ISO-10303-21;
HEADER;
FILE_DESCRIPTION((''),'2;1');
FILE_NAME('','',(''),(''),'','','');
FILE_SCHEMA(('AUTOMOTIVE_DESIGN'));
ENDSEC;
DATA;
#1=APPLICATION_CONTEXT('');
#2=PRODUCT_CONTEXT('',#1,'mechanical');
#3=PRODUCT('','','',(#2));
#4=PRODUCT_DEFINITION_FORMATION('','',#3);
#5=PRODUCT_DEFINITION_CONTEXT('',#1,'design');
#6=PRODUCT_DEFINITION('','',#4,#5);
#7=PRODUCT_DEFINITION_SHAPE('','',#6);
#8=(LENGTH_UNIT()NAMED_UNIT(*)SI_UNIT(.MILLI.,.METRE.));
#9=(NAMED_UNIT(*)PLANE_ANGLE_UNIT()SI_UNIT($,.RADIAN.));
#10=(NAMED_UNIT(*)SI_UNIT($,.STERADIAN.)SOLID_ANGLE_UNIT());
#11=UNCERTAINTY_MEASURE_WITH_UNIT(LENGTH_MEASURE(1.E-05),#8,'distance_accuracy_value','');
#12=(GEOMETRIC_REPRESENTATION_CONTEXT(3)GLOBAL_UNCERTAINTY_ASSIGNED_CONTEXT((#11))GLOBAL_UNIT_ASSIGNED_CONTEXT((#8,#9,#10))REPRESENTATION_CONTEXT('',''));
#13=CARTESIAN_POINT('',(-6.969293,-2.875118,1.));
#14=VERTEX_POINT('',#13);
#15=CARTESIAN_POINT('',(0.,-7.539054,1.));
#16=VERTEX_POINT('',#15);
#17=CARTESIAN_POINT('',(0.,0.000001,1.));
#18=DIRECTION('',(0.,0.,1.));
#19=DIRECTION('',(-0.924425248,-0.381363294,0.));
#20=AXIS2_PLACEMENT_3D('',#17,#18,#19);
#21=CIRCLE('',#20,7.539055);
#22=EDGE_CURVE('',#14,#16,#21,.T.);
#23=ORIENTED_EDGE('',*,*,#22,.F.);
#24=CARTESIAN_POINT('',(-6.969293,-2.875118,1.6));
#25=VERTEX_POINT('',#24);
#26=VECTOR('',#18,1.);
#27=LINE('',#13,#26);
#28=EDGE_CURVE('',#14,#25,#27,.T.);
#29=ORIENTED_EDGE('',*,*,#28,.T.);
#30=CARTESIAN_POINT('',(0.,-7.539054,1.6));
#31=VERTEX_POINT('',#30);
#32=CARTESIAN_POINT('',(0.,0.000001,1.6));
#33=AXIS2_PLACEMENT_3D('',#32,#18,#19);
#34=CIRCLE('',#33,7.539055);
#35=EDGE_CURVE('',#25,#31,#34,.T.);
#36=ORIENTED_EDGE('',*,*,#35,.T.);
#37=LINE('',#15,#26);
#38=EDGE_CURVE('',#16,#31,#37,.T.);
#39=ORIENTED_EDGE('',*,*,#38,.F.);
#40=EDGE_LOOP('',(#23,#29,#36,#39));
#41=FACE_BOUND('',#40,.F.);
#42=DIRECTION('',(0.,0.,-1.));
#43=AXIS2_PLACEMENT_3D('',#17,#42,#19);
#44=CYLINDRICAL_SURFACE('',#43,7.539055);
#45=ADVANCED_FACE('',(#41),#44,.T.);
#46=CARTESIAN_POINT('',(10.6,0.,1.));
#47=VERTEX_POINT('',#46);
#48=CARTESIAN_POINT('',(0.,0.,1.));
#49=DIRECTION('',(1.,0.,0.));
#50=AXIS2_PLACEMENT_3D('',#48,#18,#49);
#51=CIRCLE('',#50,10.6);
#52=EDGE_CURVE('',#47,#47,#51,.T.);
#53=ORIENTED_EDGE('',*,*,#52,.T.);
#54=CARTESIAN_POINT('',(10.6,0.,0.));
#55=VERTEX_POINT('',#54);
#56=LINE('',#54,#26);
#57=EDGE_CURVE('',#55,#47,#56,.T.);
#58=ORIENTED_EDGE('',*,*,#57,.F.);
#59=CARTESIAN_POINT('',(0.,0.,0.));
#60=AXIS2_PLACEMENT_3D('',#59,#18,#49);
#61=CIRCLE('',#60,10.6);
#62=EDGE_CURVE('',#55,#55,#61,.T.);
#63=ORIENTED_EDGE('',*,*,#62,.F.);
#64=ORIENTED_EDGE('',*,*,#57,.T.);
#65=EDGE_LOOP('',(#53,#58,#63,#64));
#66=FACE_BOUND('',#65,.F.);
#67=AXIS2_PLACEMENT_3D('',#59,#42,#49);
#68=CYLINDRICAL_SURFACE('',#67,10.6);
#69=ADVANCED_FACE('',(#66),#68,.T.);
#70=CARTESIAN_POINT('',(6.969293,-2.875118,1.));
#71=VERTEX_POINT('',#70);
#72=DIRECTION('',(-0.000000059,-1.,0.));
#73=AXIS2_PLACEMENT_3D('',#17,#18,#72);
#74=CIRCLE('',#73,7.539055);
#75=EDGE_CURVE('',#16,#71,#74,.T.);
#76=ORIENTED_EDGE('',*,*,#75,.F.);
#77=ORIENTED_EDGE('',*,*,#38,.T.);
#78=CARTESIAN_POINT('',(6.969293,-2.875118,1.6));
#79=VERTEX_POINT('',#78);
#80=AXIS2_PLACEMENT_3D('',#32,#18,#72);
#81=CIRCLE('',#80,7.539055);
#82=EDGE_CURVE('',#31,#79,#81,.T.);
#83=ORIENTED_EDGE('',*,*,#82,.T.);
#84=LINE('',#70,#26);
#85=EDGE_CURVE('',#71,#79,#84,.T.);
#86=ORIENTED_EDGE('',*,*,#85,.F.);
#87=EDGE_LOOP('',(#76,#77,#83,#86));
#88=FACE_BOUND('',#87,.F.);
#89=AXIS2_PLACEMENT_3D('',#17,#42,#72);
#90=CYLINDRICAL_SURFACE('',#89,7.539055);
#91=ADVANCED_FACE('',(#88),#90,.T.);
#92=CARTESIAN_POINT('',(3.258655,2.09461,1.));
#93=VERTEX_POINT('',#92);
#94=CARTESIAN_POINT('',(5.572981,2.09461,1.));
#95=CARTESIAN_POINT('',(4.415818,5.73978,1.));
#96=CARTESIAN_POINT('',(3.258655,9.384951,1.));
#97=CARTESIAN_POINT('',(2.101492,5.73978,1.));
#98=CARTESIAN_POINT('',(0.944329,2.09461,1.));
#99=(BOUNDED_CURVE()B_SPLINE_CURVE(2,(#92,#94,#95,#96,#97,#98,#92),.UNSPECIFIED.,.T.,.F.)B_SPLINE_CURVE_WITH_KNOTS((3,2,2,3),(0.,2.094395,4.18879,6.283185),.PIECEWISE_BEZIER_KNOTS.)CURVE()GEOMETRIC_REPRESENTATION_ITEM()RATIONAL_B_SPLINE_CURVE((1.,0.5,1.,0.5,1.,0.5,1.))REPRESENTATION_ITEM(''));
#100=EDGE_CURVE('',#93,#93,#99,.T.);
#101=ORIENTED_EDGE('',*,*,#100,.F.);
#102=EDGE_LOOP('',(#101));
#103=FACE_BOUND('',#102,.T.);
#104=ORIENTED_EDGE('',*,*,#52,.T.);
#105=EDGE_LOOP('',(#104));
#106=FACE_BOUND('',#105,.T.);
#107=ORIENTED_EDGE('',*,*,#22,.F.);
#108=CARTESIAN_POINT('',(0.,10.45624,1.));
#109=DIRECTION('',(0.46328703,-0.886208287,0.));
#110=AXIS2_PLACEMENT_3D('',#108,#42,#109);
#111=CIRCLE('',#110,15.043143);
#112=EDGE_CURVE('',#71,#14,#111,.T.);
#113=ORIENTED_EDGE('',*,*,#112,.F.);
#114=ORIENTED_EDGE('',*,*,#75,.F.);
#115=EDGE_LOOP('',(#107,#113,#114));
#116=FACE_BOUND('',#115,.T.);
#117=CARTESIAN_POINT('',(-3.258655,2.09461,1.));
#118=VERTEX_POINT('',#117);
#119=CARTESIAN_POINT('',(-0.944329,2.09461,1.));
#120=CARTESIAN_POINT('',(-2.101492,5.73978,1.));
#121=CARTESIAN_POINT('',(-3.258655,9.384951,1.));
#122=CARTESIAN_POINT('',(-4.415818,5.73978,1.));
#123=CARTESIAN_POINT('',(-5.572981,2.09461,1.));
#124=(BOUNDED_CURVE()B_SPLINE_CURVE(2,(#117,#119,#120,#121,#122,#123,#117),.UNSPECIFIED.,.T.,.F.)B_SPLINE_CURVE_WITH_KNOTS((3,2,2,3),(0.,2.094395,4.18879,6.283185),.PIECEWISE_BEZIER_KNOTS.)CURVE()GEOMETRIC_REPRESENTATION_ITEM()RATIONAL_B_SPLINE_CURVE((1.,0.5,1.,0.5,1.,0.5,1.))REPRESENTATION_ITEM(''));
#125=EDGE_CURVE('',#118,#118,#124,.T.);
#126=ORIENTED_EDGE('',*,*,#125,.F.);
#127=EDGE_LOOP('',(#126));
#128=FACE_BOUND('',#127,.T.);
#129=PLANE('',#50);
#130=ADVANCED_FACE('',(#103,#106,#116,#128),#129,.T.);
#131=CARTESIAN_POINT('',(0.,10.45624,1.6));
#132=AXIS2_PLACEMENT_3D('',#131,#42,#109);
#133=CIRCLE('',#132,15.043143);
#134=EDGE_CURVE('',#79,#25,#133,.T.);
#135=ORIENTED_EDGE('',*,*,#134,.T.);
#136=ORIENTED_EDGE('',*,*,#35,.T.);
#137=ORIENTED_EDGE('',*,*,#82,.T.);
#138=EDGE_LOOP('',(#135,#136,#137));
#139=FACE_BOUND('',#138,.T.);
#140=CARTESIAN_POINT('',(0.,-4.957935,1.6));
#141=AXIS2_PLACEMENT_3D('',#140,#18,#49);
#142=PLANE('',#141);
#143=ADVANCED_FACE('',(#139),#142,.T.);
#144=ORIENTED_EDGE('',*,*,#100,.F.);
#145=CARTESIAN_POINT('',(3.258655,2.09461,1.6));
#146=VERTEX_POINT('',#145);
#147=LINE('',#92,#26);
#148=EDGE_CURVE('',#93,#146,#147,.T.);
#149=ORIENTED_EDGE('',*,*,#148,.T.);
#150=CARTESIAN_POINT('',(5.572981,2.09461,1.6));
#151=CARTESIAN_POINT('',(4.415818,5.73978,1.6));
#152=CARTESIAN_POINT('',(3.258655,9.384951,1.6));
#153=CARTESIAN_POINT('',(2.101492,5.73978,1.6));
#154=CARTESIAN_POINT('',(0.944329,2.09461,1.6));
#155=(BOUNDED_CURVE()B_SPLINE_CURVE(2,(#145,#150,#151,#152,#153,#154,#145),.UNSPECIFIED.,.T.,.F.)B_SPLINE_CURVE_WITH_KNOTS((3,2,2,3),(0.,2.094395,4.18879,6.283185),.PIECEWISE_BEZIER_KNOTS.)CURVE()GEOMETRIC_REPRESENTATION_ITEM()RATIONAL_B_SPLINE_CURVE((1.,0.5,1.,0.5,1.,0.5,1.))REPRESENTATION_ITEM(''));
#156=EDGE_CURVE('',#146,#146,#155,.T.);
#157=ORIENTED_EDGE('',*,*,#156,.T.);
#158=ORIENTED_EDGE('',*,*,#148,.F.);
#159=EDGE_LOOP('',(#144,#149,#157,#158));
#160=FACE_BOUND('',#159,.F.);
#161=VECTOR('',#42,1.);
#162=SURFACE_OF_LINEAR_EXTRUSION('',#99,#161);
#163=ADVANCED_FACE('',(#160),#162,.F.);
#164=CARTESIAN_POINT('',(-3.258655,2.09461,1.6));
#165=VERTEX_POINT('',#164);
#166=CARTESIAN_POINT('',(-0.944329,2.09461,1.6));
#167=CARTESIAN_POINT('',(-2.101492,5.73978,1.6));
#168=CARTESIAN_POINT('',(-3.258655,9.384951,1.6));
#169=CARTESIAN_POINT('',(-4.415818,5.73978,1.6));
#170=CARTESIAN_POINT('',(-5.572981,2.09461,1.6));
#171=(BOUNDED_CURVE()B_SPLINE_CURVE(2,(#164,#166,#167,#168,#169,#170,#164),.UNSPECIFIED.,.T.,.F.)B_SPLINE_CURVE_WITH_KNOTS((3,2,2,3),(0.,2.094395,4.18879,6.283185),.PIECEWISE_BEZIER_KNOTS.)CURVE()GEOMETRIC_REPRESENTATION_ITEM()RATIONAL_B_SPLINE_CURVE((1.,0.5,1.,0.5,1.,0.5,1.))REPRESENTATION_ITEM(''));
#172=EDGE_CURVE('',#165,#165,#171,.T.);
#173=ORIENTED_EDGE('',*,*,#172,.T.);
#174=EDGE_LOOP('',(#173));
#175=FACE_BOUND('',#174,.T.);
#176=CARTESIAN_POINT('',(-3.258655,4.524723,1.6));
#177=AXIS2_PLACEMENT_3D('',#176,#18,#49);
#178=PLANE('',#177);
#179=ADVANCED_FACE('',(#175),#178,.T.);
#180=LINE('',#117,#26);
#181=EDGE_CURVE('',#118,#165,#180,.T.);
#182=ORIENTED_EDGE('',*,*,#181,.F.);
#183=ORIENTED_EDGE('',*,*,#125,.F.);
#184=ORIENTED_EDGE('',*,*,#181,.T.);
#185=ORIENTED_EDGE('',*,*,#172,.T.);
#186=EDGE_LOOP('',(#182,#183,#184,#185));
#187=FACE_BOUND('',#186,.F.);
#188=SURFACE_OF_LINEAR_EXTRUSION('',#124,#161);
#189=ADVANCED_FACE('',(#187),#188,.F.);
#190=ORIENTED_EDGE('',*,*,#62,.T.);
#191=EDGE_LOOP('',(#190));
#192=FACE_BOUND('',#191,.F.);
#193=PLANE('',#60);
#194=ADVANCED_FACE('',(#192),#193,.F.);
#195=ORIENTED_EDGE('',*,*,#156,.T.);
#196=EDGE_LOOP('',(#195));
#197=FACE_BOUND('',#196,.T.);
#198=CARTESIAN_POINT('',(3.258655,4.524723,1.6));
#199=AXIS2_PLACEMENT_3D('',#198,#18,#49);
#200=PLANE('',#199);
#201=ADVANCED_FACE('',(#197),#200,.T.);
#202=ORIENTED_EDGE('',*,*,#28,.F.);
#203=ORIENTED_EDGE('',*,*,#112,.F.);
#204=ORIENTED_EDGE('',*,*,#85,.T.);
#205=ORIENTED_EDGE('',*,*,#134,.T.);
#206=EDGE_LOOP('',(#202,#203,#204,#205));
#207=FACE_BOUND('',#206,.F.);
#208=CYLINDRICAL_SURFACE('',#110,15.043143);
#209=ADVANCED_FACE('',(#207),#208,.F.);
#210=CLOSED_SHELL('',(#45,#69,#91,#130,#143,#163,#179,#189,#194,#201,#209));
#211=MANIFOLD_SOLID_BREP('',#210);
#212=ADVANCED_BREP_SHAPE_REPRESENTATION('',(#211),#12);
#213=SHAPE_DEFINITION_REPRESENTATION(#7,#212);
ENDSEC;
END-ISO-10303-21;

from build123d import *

# Parameters (mm, degrees)
F0_R     = 10.6
F1_DEPTH = 1
F3_DEPTH = 0.6


with BuildPart() as f1:
    # F0 (on Top) → F1 (new body)
    with BuildSketch(Plane.XY):
        Circle(F0_R)
    extrude(amount=F1_DEPTH)

    # F2 (on face) → F3 (join)
    with BuildSketch(Plane.XY.offset(1)):
        with BuildLine():
            ThreePointArc((-6.969293, -2.875118), (-4.192951, -6.265501), (0, -7.539054))
            ThreePointArc((0, -7.539054), (4.192951, -6.265501), (6.969293, -2.875118))
            ThreePointArc((6.969293, -2.875118), (0, -4.586903), (-6.969293, -2.875118))
        make_face()
        with BuildLine():
            add(Edge.make_bspline(
                [(-3.258655, 2.09461), (-0.944329, 2.09461), (-2.101492, 5.73978), (-3.258655, 9.384951), (-4.415818, 5.73978), (-5.572981, 2.09461), (-3.258655, 2.09461)],
                knots=[0, 0, 0, 2.094395, 2.094395, 4.18879, 4.18879, 6.283185, 6.283185, 6.283185], degree=2, weights=[1, 0.5, 1, 0.5, 1, 0.5, 1]))
        make_face()
        with BuildLine():
            add(Edge.make_bspline(
                [(3.258655, 2.09461), (5.572981, 2.09461), (4.415818, 5.73978), (3.258655, 9.384951), (2.101492, 5.73978), (0.944329, 2.09461), (3.258655, 2.09461)],
                knots=[0, 0, 0, 2.094395, 2.094395, 4.18879, 4.18879, 6.283185, 6.283185, 6.283185], degree=2, weights=[1, 0.5, 1, 0.5, 1, 0.5, 1]))
        make_face()
    extrude(amount=F3_DEPTH)


solid = f1.part
